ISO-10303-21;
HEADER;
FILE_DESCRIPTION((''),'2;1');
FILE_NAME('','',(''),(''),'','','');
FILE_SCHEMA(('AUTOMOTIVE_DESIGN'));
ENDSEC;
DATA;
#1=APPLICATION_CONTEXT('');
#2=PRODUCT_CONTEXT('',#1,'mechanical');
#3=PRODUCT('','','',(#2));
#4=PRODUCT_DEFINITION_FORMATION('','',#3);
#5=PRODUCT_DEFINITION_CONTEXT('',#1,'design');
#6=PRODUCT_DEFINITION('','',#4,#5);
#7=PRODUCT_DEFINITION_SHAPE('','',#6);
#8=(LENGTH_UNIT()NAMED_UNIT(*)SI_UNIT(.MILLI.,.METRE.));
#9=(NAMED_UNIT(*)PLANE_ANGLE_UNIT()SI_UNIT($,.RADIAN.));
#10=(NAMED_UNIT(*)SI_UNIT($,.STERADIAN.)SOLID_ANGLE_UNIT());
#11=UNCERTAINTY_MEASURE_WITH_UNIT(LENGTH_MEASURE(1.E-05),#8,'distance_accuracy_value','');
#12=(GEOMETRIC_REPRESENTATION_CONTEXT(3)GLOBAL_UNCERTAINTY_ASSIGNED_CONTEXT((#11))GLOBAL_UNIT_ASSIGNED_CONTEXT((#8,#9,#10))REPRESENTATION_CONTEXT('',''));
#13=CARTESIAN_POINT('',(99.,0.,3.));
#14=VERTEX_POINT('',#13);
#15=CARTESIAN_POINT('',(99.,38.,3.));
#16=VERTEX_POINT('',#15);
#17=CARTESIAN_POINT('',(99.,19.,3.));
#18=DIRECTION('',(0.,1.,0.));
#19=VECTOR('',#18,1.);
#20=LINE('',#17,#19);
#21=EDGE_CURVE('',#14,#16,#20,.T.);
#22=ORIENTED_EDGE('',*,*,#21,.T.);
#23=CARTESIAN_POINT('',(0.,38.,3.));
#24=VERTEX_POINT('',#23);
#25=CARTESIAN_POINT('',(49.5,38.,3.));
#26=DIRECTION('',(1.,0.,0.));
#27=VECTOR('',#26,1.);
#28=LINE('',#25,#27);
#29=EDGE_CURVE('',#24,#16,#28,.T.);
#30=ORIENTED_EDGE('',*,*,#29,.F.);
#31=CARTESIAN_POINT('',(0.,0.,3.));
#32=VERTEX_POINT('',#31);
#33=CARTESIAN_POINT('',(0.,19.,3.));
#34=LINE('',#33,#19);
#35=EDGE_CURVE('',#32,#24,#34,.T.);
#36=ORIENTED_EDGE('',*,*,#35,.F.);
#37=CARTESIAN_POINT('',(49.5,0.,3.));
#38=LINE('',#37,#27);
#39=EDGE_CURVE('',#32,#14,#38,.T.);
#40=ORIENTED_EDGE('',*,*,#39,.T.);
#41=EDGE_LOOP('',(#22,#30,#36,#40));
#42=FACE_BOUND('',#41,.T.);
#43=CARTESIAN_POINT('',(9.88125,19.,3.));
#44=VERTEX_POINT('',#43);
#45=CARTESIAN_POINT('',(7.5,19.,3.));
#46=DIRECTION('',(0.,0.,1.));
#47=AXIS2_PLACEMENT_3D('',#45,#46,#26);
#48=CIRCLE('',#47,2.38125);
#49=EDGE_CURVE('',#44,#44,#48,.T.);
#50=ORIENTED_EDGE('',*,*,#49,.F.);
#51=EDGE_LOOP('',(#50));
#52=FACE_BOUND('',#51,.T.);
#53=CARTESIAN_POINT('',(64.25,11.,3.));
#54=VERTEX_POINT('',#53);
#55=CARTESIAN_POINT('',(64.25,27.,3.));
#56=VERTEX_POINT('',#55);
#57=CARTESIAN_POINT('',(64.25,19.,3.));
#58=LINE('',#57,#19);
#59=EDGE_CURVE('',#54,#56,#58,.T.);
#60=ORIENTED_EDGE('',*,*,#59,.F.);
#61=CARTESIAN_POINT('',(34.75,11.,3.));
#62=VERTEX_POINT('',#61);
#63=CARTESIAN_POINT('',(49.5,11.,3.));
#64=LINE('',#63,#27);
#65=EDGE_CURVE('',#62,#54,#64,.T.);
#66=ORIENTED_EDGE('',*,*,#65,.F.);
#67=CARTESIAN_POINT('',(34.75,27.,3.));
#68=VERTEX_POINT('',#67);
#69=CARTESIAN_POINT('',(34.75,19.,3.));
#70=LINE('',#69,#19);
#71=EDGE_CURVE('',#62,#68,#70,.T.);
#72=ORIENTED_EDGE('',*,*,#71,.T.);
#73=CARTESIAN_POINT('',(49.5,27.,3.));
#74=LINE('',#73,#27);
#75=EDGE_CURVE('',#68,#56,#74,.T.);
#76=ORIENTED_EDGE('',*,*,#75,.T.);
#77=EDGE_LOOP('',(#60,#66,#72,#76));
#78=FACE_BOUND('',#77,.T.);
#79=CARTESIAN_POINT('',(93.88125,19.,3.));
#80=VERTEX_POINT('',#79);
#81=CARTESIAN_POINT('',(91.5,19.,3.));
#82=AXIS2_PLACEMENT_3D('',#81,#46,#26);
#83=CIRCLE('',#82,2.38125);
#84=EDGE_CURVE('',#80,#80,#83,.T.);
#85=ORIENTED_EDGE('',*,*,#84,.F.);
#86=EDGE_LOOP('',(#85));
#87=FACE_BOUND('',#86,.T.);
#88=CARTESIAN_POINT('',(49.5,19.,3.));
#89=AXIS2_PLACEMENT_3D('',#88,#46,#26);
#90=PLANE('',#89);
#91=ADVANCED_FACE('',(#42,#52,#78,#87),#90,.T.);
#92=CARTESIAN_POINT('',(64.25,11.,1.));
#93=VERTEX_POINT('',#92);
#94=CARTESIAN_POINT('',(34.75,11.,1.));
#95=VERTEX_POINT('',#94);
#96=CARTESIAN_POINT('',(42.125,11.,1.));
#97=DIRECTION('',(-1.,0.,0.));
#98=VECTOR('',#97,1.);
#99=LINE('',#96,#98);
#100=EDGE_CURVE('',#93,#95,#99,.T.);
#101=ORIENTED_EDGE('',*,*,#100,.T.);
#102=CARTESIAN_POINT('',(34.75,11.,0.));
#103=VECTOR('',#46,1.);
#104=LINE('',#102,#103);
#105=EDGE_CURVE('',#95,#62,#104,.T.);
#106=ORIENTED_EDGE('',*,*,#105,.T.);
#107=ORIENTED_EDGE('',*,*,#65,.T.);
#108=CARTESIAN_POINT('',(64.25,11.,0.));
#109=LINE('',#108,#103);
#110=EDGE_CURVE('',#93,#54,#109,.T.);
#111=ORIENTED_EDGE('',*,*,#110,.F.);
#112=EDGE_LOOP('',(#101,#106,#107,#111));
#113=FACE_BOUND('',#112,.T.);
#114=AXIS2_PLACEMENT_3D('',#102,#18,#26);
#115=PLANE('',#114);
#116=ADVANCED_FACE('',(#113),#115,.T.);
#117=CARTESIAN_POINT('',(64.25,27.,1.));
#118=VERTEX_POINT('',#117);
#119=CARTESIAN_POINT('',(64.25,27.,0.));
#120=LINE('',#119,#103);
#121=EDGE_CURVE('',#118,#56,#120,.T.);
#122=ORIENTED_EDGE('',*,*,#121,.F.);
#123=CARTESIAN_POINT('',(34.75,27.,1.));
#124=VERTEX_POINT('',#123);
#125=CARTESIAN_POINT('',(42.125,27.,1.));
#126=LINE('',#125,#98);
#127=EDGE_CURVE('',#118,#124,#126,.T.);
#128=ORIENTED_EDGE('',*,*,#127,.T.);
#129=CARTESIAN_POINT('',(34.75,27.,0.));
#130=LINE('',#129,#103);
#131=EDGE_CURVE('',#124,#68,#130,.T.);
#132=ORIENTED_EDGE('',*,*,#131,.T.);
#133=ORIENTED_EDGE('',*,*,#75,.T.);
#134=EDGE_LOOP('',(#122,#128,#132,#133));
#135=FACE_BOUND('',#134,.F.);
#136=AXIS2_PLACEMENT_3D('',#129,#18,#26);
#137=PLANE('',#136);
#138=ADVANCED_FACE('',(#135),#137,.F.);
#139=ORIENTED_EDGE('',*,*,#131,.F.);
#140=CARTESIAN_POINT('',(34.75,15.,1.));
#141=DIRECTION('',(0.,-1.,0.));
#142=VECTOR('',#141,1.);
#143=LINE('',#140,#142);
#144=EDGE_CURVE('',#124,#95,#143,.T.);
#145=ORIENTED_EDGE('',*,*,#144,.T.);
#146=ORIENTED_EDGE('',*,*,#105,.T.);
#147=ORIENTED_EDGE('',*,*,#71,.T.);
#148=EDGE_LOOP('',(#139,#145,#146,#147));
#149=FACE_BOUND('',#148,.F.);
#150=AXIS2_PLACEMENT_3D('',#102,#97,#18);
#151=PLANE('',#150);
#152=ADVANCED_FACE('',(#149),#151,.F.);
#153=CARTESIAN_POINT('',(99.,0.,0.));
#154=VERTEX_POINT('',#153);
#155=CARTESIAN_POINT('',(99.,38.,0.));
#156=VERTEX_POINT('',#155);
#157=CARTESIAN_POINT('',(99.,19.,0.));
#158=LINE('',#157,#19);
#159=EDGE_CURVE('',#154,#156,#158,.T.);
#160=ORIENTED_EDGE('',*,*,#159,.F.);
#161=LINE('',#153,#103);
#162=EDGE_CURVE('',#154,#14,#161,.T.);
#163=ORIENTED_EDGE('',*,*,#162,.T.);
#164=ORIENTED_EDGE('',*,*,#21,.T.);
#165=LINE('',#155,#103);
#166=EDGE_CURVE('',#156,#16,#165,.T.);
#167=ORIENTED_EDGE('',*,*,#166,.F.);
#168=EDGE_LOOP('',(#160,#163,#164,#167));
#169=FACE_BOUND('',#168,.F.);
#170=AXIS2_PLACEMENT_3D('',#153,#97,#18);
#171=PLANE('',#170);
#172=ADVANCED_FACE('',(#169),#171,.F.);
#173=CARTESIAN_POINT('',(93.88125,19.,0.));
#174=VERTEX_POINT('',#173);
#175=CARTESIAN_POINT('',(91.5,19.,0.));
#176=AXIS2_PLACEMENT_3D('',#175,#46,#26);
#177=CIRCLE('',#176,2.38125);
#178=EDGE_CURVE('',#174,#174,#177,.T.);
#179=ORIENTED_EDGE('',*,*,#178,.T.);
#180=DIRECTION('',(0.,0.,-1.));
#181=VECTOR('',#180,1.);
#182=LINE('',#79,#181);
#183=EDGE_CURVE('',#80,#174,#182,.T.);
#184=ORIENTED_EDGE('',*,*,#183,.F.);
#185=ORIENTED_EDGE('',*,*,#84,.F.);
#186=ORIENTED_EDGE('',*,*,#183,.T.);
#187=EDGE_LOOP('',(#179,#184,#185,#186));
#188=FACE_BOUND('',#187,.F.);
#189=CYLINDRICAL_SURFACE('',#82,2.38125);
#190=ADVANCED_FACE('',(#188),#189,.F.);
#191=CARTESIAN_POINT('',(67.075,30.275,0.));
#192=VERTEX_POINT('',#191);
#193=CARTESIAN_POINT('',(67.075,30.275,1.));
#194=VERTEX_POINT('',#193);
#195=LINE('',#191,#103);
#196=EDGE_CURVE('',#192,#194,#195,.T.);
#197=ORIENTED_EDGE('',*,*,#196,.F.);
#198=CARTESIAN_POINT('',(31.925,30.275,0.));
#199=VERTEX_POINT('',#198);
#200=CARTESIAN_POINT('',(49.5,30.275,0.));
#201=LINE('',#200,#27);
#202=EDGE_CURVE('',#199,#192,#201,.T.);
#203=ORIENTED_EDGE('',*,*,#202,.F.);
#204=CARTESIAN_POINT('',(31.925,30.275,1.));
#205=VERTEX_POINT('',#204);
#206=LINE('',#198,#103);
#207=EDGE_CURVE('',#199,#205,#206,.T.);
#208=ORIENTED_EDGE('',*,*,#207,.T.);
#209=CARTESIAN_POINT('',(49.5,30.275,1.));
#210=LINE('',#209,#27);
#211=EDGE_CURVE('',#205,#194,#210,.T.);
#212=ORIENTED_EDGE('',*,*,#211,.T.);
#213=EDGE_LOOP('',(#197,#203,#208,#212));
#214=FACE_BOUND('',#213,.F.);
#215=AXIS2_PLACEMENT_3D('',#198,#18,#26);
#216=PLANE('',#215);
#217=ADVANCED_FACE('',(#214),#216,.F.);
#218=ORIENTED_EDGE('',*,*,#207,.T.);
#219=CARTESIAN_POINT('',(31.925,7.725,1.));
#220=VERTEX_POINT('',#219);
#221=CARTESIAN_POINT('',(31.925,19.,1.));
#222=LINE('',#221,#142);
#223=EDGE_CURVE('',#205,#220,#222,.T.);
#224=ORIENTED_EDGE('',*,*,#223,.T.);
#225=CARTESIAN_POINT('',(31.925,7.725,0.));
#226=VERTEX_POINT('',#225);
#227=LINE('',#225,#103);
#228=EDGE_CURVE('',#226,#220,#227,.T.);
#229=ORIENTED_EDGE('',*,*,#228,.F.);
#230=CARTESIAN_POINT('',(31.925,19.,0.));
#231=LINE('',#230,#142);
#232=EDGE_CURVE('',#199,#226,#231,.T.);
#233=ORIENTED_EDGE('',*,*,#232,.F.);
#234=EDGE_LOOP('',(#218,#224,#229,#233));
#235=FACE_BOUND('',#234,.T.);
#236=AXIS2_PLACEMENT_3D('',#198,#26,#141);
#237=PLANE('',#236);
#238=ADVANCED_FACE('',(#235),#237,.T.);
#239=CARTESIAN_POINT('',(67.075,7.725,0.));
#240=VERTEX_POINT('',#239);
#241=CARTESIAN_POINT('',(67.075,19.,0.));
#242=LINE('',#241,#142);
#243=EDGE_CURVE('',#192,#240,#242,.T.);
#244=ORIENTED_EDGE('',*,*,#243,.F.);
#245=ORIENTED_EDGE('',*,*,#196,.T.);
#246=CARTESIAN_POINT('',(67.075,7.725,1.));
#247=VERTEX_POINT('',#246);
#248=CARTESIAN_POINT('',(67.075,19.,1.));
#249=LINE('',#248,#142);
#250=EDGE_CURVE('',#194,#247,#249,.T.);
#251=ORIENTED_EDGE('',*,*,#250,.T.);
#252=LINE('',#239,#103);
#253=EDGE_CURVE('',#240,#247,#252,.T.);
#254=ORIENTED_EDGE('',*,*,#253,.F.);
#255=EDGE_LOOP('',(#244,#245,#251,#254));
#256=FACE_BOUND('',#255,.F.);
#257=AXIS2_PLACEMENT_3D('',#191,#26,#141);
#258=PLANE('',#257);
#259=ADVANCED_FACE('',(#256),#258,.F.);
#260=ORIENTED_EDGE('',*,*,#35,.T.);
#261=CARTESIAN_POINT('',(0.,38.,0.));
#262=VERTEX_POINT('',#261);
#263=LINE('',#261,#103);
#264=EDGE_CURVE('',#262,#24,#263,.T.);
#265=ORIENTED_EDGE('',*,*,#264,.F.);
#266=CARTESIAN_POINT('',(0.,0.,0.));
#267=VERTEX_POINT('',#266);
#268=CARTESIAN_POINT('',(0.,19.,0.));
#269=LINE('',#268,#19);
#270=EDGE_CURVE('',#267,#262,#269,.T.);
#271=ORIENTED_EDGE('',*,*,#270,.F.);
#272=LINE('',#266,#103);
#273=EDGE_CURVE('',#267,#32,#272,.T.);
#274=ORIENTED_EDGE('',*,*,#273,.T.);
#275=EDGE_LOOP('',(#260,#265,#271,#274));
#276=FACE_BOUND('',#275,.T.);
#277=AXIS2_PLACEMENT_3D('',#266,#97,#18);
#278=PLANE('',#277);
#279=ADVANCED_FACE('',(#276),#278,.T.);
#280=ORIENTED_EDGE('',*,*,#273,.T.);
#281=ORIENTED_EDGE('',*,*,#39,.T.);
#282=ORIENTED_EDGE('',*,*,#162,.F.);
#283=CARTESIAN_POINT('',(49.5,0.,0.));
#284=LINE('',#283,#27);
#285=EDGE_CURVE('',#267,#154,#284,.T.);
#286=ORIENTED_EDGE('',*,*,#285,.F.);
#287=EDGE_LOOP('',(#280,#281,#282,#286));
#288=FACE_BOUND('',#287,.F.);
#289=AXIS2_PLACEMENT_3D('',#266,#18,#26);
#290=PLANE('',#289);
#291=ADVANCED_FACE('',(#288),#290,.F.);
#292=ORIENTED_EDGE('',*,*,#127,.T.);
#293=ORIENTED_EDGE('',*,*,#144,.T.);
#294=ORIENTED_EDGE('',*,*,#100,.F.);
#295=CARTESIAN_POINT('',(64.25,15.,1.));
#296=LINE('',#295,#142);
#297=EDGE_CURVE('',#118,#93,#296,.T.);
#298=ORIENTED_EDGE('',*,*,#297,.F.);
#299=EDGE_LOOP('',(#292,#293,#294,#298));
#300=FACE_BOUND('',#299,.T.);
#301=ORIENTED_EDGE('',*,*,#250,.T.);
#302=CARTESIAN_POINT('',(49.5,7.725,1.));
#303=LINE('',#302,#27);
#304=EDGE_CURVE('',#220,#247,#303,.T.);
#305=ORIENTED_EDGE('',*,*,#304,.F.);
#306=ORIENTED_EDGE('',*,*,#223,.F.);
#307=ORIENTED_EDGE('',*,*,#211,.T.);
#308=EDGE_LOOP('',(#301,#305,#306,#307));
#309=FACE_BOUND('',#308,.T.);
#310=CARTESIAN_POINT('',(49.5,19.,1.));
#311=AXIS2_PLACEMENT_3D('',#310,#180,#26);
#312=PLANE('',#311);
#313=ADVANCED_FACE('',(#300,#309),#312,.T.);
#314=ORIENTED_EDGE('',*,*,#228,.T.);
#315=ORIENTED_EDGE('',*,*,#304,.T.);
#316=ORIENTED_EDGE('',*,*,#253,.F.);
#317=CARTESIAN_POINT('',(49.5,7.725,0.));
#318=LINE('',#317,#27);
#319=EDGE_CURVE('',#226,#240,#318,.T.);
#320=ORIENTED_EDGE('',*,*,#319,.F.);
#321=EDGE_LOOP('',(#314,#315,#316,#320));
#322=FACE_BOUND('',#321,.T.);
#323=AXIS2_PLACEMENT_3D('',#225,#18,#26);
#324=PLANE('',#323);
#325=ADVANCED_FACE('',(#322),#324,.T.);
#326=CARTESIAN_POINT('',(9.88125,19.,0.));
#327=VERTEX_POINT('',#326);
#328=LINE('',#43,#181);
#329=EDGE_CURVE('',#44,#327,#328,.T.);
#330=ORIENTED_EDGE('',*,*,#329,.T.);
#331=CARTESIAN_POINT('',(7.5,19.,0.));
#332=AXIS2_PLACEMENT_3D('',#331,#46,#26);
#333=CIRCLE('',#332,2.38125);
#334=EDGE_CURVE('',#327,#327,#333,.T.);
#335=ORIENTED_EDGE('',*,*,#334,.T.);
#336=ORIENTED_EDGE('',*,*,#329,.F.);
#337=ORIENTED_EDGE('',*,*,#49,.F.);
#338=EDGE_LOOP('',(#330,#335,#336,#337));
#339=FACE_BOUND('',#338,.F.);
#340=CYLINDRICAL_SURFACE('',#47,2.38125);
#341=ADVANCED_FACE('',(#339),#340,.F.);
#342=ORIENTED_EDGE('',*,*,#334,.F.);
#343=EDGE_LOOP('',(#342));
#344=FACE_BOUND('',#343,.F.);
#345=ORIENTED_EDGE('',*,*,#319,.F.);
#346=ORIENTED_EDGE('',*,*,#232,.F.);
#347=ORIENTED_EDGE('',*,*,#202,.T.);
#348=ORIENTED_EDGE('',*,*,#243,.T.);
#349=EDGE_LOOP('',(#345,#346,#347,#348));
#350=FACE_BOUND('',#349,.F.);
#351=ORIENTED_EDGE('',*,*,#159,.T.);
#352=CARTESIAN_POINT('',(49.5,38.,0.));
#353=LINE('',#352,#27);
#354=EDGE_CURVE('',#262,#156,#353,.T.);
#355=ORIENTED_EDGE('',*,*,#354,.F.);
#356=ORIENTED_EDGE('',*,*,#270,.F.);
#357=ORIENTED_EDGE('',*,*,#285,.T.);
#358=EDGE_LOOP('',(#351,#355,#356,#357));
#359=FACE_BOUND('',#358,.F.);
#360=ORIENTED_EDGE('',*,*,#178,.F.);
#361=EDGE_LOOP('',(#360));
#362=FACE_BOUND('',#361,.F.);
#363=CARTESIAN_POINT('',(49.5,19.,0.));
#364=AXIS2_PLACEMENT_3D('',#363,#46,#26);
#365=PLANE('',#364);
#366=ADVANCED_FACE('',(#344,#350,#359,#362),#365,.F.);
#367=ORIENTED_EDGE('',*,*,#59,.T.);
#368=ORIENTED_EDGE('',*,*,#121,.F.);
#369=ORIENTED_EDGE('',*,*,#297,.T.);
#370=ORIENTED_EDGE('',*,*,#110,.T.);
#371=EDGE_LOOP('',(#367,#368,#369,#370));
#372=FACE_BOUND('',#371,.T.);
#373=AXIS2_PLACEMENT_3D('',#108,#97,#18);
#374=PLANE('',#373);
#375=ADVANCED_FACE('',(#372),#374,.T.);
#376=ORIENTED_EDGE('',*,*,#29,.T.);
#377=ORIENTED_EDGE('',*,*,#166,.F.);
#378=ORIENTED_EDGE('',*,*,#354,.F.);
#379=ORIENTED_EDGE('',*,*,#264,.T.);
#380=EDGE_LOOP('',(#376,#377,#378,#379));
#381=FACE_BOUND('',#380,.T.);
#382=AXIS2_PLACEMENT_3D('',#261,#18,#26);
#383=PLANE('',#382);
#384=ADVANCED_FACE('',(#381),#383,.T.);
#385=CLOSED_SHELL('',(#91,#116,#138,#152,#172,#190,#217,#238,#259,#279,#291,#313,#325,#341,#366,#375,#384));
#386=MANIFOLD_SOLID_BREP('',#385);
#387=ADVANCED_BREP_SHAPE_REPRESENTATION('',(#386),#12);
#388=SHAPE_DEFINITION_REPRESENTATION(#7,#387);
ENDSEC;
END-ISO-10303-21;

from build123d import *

# Parameters (mm, degrees)
F0_W     = 99
F0_H     = 38
F0_W_2   = 29.5
F0_H_2   = 16
F1_DEPTH = 3
F2_R     = 2.38125
F3_DEPTH = 3.001
F4_W     = 35.15
F4_H     = 22.55
F5_DEPTH = 1


with BuildPart() as f1:
    # F0 (on Top) → F1 (new body)
    with BuildSketch(Plane.XY):
        with Locations((49.5, 19)):
            Rectangle(F0_W, F0_H)
        with Locations((49.5, 19)):
            Rectangle(F0_W_2, F0_H_2, mode=Mode.SUBTRACT)
    extrude(amount=F1_DEPTH)

    # F2 (on face) → F3 (cut, through all)
    with BuildSketch(Plane.XY.offset(3)):
        with Locations((7.5, 19)):
            Circle(F2_R)
        with Locations((91.5, 19)):
            Circle(F2_R)
    extrude(amount=-F3_DEPTH, mode=Mode.SUBTRACT)

    # F4 (on face) → F5 (cut)
    with BuildSketch(Plane(origin=(0, 0, 0), x_dir=(1, 0, 0), z_dir=(0, 0, -1))):
        with Locations((49.5, -19)):
            Rectangle(F4_W, F4_H)
    extrude(amount=-F5_DEPTH, mode=Mode.SUBTRACT)


solid = f1.part
